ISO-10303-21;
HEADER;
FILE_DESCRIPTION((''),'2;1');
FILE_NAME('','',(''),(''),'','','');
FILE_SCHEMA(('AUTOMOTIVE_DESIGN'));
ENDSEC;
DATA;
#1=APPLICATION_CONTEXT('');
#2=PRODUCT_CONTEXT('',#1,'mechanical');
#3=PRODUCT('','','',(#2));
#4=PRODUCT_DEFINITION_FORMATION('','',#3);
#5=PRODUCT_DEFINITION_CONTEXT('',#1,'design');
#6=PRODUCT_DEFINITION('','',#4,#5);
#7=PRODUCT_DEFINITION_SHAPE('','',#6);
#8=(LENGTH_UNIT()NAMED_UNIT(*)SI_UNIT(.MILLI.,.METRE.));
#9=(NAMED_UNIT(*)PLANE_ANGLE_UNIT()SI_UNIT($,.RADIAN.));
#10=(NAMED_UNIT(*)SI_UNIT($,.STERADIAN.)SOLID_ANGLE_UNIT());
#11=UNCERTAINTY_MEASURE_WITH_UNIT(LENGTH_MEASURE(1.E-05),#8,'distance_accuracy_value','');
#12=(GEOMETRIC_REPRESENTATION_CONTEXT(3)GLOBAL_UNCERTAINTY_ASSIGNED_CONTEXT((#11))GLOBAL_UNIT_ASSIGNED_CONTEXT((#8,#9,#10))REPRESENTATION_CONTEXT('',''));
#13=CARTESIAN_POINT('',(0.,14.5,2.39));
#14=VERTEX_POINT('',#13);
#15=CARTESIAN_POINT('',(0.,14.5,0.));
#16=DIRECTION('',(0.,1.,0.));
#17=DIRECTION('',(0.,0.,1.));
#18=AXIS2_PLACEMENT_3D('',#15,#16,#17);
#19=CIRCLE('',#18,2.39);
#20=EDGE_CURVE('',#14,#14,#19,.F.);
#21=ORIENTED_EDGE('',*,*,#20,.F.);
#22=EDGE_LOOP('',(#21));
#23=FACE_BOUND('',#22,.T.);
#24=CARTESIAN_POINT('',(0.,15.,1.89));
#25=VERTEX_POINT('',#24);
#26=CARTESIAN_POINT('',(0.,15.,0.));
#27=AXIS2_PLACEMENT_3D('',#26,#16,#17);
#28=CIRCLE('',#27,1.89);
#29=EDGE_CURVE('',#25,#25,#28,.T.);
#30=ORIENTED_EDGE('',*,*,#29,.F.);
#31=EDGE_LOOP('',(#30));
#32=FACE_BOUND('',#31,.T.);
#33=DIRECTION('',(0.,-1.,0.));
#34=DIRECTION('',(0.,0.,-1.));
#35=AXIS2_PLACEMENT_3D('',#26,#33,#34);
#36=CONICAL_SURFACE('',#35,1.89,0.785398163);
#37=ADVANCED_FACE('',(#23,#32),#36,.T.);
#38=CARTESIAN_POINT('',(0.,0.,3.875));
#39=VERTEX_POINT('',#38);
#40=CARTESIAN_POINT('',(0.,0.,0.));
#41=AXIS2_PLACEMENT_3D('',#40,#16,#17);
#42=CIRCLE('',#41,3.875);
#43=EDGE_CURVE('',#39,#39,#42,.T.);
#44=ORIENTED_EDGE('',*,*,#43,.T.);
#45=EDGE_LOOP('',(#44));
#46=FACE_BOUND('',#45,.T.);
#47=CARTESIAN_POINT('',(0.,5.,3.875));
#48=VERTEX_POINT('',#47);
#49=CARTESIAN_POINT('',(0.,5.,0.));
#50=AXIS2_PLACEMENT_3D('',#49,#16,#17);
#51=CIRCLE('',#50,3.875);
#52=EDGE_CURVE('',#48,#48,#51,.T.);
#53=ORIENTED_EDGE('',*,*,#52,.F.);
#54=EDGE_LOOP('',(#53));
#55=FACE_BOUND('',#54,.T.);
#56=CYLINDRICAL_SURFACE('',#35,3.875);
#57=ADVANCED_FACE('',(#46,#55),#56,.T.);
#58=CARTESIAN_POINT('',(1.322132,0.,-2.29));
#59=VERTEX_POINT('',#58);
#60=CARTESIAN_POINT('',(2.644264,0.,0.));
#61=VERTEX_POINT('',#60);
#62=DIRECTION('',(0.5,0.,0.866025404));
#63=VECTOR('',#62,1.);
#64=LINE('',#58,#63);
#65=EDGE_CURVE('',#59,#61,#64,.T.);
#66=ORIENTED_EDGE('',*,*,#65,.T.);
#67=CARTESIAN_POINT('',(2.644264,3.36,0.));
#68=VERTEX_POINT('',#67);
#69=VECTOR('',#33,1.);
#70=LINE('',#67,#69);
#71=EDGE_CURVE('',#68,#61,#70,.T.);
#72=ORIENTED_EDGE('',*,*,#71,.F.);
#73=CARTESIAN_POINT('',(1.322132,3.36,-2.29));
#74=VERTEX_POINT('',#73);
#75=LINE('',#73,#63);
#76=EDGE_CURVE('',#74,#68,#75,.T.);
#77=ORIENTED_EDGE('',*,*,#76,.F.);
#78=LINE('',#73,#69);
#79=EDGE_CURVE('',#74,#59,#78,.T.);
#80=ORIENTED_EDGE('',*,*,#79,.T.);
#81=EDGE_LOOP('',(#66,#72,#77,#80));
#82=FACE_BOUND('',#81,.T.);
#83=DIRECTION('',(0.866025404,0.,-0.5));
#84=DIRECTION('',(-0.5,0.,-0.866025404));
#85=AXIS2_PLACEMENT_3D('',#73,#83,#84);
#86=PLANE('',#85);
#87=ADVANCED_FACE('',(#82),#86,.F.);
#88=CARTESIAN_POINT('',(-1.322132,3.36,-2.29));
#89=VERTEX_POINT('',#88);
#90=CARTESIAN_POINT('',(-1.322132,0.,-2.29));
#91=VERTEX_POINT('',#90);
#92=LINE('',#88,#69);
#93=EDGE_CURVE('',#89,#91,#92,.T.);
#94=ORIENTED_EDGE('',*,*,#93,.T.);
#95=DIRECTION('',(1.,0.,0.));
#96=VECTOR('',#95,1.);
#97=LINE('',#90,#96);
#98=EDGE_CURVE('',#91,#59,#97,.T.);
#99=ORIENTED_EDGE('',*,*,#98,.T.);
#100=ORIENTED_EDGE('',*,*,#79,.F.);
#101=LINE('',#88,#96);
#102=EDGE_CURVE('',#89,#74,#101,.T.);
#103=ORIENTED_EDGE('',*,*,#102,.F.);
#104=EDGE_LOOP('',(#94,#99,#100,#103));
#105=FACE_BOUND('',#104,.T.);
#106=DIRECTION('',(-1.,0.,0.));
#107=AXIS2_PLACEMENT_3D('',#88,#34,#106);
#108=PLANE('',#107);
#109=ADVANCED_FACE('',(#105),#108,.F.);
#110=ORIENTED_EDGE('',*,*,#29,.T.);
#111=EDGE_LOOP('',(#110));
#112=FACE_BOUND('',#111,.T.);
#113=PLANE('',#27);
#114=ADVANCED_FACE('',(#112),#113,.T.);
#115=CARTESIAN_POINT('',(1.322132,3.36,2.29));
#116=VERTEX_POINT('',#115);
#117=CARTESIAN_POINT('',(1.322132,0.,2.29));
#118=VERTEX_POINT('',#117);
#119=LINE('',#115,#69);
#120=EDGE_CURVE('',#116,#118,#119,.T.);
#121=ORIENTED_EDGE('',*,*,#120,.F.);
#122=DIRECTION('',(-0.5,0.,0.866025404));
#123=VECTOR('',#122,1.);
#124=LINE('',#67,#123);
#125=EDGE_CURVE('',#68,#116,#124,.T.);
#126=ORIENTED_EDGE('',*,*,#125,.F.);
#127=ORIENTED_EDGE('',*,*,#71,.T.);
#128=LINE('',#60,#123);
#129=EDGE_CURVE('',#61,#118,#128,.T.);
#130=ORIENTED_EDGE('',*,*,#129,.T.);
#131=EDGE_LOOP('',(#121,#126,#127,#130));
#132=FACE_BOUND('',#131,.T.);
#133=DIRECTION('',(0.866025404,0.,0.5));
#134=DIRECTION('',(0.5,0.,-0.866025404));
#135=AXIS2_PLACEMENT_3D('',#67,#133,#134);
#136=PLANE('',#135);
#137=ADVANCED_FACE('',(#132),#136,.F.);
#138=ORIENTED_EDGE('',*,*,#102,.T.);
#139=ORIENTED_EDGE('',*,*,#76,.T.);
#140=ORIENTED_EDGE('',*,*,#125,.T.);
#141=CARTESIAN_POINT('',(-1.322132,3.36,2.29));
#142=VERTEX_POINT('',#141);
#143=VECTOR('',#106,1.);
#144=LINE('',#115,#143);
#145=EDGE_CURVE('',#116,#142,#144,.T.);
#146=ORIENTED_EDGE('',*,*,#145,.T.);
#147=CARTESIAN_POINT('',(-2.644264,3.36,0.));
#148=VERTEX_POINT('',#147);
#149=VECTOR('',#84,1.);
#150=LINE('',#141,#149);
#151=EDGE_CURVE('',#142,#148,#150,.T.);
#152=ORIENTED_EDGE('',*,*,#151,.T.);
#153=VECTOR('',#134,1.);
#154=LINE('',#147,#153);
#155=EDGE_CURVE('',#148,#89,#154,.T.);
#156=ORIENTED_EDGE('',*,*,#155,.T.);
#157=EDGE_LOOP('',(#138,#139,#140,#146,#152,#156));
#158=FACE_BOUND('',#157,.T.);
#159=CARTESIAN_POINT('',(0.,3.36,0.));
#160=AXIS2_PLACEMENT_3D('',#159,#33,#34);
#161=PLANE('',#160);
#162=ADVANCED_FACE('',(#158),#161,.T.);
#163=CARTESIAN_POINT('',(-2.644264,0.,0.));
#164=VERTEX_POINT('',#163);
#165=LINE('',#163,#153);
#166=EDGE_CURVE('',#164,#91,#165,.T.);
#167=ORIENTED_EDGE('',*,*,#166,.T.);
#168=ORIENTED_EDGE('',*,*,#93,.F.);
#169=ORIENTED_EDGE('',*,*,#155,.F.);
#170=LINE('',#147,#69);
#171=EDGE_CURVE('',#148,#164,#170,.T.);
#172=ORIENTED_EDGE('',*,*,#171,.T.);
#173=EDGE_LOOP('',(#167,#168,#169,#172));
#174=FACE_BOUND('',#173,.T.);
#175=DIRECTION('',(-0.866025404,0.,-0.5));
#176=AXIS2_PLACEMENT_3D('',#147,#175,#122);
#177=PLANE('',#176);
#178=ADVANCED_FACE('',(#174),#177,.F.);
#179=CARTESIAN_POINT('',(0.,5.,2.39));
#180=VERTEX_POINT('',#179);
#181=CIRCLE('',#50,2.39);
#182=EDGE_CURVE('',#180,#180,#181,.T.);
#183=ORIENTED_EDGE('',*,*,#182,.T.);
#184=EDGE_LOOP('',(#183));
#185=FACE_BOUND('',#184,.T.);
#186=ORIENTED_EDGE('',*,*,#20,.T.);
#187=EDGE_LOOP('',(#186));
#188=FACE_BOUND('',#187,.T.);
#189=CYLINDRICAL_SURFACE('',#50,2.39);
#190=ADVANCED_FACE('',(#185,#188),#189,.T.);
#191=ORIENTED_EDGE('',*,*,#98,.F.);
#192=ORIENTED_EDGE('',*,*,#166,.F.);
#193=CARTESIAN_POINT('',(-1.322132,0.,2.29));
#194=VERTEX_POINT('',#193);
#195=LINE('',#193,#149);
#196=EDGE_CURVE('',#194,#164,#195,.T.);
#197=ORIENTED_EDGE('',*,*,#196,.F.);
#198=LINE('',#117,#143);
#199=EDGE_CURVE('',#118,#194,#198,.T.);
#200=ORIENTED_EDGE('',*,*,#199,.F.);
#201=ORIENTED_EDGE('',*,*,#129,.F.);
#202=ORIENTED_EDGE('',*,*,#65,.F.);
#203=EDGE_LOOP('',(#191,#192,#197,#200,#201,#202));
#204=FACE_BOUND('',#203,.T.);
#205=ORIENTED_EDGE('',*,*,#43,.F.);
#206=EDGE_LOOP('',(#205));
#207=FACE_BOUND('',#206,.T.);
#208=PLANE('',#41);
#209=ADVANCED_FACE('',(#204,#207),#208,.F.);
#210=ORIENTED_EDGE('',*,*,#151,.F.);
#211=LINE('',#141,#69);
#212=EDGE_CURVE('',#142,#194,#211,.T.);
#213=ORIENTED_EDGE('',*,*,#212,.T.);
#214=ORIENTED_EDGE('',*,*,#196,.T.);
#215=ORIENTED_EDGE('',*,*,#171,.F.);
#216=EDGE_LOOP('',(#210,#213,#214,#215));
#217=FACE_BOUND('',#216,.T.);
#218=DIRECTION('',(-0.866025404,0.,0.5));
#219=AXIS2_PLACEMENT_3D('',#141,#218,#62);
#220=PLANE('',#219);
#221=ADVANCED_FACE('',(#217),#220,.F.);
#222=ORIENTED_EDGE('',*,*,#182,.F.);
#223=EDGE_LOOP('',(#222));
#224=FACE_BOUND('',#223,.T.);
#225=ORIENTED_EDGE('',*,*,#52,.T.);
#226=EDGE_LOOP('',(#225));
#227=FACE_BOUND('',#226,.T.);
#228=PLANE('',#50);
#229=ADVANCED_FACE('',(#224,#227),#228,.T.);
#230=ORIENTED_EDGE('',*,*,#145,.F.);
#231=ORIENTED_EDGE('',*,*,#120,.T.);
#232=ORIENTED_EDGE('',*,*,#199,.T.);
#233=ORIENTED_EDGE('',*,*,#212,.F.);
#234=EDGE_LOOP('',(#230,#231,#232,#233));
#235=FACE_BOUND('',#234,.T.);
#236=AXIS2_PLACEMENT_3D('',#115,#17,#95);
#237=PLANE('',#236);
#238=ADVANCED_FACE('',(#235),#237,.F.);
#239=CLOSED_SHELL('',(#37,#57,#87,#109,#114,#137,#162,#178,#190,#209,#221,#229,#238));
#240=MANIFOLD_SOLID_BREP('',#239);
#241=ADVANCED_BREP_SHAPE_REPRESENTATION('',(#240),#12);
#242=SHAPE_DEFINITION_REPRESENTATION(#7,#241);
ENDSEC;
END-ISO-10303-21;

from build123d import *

# Parameters (mm, degrees)
SKETCH1_R           = 3.875
BOSS_EXTRUDE1_DEPTH = 15
SKETCH2_OUTSIDE_W   = 13.466
SKETCH2_OUTSIDE_H   = 13.466
SKETCH2_OUTSIDE_R   = 2.39
CUT_EXTRUDE1_DEPTH  = 10
CHAMFER1_SIZE       = 0.5
CUT_EXTRUDE2_DEPTH  = 3.36


with BuildPart() as part:
    # Sketch1 → Boss-Extrude1 (new body)
    with BuildSketch(Plane(origin=(0, 0, 0), x_dir=(1, 0, 0), z_dir=(0, 1, 0))):
        Circle(SKETCH1_R)
    extrude(amount=BOSS_EXTRUDE1_DEPTH)

    # Sketch2 outside → Cut-Extrude1 (cut)
    with BuildSketch(Plane(origin=(0, 15, 0), x_dir=(1, 0, 0), z_dir=(0, 1, 0))):
        Rectangle(SKETCH2_OUTSIDE_W, SKETCH2_OUTSIDE_H)
        Circle(SKETCH2_OUTSIDE_R, mode=Mode.SUBTRACT)
    extrude(amount=-CUT_EXTRUDE1_DEPTH, mode=Mode.SUBTRACT)

    # Chamfer1
    chamfer1_edges = [part.edges().sort_by_distance(p)[0] for p in [
        (-2.39, 15, 0),
    ]]
    chamfer(chamfer1_edges, length=CHAMFER1_SIZE)

    # Sketch8 → Cut-Extrude2 (cut)
    with BuildSketch(Plane.XZ):
        Polygon((2.644264233, 0), (1.322132116, 2.29), (-1.322132116, 2.29), (-2.644264233, 0), (-1.322132116, -2.29), (1.322132116, -2.29), align=None)
    extrude(amount=-CUT_EXTRUDE2_DEPTH, mode=Mode.SUBTRACT)


solid = part.part
